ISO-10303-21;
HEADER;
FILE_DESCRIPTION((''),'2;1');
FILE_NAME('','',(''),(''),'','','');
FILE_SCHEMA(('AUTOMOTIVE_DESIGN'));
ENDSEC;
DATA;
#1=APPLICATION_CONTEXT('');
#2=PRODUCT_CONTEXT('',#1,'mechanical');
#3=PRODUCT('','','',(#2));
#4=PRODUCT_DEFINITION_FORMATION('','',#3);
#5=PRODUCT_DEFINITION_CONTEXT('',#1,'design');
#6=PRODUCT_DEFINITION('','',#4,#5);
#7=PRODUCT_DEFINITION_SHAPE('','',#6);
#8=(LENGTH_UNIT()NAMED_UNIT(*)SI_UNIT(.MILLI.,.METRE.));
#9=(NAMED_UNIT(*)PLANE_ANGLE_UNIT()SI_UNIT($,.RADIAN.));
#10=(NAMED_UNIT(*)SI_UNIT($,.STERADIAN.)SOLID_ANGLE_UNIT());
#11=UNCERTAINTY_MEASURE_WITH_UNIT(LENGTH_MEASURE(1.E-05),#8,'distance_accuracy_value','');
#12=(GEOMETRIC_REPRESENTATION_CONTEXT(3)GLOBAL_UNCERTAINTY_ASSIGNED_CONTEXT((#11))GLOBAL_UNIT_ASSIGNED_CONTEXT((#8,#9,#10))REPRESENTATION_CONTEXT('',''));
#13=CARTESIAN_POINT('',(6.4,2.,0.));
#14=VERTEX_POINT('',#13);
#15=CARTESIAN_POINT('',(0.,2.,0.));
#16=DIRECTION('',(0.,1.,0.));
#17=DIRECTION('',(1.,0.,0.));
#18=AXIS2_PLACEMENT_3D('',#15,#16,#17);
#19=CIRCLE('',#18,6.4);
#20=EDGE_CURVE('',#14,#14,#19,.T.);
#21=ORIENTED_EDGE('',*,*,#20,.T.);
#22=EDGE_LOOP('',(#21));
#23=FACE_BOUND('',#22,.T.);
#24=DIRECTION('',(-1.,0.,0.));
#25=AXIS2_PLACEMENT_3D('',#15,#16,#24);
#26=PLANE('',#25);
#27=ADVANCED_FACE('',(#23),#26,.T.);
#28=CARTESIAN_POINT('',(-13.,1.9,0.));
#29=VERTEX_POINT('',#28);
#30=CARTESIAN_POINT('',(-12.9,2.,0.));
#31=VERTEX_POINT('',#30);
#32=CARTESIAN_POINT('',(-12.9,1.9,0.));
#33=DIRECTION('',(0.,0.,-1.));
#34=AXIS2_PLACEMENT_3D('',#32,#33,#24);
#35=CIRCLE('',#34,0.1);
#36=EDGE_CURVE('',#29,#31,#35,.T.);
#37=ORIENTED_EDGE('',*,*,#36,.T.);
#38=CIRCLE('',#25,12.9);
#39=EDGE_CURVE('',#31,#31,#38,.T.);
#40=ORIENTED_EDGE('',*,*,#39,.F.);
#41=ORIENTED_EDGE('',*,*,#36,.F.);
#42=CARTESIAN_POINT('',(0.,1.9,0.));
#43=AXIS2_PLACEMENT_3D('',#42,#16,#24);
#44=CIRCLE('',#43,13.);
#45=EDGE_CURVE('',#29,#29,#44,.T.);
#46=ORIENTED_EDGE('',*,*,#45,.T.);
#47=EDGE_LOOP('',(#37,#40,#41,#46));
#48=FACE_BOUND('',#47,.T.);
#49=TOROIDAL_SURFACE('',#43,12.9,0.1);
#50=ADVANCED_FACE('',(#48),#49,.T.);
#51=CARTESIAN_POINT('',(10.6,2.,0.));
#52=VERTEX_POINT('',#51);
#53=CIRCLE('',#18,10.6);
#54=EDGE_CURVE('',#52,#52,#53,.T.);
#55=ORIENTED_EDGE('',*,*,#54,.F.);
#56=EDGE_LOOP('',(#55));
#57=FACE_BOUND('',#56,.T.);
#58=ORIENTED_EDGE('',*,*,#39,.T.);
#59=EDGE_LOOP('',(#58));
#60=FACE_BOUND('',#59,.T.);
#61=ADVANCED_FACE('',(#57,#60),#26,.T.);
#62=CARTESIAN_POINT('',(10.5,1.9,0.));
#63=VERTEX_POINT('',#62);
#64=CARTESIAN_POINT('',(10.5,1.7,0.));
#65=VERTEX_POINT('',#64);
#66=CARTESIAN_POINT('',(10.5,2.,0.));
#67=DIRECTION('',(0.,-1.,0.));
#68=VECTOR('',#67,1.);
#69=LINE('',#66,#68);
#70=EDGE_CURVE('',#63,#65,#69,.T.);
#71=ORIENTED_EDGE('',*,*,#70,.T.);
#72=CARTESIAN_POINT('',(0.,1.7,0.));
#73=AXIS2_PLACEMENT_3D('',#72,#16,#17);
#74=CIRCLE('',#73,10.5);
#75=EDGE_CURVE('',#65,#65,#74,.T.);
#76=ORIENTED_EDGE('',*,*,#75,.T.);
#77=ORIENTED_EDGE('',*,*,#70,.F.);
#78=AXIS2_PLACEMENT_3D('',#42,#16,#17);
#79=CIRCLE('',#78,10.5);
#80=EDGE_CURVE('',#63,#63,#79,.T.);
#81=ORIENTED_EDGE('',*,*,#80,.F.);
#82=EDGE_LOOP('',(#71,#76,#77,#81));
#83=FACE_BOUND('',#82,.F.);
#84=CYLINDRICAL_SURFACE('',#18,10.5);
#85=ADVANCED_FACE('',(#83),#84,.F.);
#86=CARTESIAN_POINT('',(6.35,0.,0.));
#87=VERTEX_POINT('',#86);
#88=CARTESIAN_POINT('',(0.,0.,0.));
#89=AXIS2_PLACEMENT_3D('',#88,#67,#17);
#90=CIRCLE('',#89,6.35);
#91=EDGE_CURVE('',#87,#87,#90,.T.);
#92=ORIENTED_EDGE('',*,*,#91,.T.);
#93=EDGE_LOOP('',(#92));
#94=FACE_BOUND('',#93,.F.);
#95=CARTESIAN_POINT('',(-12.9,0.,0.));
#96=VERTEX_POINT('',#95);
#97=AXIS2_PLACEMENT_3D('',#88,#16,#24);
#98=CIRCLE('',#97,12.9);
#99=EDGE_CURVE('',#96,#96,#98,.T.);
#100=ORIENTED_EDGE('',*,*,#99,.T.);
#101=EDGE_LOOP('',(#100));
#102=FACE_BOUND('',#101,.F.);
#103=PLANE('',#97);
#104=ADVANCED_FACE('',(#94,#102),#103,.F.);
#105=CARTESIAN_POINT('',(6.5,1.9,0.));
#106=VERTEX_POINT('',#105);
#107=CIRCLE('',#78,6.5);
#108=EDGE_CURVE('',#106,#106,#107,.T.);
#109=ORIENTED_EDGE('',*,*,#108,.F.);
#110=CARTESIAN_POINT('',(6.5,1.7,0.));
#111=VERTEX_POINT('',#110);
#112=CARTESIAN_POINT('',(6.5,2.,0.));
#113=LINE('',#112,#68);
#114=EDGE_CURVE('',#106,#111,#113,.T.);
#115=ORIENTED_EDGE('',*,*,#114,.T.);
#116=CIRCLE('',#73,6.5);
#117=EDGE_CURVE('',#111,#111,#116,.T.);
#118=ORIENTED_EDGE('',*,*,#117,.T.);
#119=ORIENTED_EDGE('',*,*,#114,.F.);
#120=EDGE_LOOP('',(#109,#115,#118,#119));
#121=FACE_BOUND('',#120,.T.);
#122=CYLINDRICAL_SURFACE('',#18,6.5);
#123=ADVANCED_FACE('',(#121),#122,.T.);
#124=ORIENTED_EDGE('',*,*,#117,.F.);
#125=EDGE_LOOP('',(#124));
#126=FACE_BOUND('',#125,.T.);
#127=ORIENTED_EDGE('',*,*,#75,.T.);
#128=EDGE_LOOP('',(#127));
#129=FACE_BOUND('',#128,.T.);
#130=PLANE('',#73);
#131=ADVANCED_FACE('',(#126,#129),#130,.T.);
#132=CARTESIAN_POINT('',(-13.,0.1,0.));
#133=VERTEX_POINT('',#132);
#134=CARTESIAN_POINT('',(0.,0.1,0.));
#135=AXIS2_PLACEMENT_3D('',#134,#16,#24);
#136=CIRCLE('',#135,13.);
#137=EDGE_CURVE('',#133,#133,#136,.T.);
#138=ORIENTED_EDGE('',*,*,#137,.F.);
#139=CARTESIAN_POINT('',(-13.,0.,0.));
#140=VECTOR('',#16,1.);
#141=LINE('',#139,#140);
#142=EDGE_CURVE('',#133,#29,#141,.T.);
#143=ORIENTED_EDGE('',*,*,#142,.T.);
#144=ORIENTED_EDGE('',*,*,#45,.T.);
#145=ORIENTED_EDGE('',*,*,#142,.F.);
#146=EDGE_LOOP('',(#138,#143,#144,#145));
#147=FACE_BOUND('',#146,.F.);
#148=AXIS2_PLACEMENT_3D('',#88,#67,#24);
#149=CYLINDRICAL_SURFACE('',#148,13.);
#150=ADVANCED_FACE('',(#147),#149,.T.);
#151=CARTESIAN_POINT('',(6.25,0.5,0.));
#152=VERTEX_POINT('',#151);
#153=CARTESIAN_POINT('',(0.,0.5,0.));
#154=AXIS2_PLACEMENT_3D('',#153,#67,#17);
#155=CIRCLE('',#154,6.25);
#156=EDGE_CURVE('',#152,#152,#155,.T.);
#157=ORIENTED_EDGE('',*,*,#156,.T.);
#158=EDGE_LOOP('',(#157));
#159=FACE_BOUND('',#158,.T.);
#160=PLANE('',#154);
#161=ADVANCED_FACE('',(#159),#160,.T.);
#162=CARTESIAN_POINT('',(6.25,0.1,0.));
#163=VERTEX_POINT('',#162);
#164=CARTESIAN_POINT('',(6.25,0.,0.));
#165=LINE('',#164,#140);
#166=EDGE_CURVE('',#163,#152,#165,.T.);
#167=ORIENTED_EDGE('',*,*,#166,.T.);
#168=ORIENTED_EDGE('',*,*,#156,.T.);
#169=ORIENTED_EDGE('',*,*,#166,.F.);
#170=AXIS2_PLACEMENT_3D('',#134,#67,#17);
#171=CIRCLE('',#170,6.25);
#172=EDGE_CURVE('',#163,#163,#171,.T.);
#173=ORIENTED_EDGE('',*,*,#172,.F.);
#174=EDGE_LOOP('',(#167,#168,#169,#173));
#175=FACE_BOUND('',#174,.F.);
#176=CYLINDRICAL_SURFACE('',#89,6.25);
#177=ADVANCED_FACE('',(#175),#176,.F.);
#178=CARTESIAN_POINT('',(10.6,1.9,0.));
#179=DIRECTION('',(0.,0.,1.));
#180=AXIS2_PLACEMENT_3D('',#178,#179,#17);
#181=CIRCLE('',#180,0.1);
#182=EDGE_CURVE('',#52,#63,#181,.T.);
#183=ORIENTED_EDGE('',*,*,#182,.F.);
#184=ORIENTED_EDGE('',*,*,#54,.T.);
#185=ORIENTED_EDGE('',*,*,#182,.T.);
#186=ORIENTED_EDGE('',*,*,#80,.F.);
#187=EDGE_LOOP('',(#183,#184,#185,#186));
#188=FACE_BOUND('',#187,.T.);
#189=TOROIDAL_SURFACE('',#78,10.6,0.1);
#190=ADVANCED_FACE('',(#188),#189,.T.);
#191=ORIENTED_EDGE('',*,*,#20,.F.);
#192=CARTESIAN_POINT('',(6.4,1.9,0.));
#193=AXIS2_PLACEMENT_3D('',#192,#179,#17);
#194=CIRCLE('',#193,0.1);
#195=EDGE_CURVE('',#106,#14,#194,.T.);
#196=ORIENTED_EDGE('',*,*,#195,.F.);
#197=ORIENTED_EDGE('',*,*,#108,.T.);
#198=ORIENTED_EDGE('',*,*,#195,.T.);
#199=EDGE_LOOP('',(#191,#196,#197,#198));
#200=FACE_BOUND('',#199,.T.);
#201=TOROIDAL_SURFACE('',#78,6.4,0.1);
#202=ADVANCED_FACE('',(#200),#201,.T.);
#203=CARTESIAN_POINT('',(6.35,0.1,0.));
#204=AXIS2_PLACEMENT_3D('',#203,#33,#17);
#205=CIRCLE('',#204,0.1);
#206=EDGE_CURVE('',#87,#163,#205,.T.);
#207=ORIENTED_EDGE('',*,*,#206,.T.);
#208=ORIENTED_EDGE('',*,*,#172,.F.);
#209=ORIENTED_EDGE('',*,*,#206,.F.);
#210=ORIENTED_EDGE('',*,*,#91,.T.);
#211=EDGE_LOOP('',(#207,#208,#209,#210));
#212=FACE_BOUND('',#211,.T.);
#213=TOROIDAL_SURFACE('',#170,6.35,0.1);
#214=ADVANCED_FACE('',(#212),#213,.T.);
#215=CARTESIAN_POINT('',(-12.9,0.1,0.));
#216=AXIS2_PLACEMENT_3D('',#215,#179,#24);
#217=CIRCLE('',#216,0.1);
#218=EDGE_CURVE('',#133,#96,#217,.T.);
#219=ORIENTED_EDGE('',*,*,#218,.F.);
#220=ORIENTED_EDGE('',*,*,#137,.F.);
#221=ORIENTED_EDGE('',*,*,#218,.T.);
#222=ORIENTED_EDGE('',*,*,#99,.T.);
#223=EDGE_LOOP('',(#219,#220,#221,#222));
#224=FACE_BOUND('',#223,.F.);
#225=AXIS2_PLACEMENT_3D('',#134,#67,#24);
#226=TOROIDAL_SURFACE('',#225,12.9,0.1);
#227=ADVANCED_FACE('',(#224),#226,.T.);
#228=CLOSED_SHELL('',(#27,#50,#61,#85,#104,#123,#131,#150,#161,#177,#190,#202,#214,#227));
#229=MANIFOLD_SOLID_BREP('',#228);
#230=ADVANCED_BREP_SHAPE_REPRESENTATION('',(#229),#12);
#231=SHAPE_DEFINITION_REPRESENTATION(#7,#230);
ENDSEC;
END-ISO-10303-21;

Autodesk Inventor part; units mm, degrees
ref_plane "YZ Plane" through (0, 0, 0) normal (1, 0, 0) x (0, 1, 0)
ref_plane "XZ Plane" through (0, 0, 0) normal (0, 1, 0) x (-1, 0, 0)
ref_plane "XY Plane" through (0, 0, 0) normal (0, 0, 1) x (1, 0, 0)
sketch "Sketch1" plane through (0, 0, 0) normal (0, 1, 0) x (-1, 0, 0)
  circle A0 centre (0, 0) radius 13
  dimension "d0" = 26
extrude "Extrusion1" add sketch "Sketch1" along normal blind 2
sketch "Sketch2" plane through (0, 2, 0) normal (0, 1, 0) x (1, 0, 0)
  circle A0 centre (0, 0) radius 13 construction
  circle A1 centre (0, 0) radius 10.5
  circle A2 centre (0, 0) radius 6.5
  dimension "d3" = 2.5
  dimension "d4" = 4
extrude "Extrusion2" cut sketch "Sketch2" against normal blind 0.3
sketch "Sketch3" plane through (0, 0, 0) normal (0, -1, 0) x (1, 0, 0)
  circle A0 centre (0, 0) radius 6.25
  dimension "d7" = 12.5
extrude "Extrusion3" cut sketch "Sketch3" against normal blind 0.5
fillet "Fillet1" radius 0.1 5 edges at (13, 2, 0) (-10.5, 2, 0) (-6.5, 2, 0) (13, 0, 0) (-6.25, 0, 0)
properties part number "ThrustWasher" material "Steel, Alloy"
